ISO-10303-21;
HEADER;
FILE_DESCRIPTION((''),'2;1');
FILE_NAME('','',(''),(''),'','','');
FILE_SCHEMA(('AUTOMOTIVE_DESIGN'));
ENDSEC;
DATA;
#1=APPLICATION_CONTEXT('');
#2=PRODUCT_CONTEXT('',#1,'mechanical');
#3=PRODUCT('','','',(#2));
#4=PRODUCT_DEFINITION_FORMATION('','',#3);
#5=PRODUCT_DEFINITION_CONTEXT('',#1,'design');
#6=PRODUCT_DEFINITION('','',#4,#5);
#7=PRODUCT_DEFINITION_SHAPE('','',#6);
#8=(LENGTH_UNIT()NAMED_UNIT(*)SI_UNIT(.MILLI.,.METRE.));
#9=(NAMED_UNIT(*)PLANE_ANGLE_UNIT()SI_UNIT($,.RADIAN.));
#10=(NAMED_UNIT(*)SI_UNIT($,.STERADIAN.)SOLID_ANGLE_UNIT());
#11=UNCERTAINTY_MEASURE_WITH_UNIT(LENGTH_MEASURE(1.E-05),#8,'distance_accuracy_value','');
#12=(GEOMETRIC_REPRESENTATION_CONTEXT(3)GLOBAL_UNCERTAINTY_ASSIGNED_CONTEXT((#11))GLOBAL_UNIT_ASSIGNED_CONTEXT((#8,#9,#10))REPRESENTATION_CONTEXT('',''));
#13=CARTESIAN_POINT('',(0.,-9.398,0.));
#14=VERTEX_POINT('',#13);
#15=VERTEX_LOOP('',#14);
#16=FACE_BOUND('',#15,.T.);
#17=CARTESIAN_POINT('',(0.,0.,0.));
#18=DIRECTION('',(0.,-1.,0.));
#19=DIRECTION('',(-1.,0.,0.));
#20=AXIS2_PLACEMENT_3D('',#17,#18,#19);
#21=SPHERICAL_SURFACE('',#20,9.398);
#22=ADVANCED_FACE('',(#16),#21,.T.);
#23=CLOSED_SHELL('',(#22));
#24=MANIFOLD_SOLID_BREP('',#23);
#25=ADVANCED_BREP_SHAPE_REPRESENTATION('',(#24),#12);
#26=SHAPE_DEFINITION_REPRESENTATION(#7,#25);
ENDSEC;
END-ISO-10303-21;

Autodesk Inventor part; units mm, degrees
ref_plane "YZ Plane" through (0, 0, 0) normal (1, 0, 0) x (0, 1, 0)
ref_plane "XZ Plane" through (0, 0, 0) normal (0, 1, 0) x (-1, 0, 0)
ref_plane "XY Plane" through (0, 0, 0) normal (0, 0, 1) x (1, 0, 0)
sketch "Sketch1" plane through (0, 0, 0) normal (0, 0, 1) x (1, 0, 0)
  arc A0 (0, 9.398) -> (0, -9.398) centre (0, 0) ccw
  line L0 (0, 9.398) -> (0, -9.398) construction
  line L1 (0, 9.398) -> (0, -9.398)
  dimension "d1" = 9.398
revolve "Revolution1" add sketch "Sketch1" angle 360 about axis through (0, 9.398, 0) along (0, -1, 0)
properties part number "Ball"
